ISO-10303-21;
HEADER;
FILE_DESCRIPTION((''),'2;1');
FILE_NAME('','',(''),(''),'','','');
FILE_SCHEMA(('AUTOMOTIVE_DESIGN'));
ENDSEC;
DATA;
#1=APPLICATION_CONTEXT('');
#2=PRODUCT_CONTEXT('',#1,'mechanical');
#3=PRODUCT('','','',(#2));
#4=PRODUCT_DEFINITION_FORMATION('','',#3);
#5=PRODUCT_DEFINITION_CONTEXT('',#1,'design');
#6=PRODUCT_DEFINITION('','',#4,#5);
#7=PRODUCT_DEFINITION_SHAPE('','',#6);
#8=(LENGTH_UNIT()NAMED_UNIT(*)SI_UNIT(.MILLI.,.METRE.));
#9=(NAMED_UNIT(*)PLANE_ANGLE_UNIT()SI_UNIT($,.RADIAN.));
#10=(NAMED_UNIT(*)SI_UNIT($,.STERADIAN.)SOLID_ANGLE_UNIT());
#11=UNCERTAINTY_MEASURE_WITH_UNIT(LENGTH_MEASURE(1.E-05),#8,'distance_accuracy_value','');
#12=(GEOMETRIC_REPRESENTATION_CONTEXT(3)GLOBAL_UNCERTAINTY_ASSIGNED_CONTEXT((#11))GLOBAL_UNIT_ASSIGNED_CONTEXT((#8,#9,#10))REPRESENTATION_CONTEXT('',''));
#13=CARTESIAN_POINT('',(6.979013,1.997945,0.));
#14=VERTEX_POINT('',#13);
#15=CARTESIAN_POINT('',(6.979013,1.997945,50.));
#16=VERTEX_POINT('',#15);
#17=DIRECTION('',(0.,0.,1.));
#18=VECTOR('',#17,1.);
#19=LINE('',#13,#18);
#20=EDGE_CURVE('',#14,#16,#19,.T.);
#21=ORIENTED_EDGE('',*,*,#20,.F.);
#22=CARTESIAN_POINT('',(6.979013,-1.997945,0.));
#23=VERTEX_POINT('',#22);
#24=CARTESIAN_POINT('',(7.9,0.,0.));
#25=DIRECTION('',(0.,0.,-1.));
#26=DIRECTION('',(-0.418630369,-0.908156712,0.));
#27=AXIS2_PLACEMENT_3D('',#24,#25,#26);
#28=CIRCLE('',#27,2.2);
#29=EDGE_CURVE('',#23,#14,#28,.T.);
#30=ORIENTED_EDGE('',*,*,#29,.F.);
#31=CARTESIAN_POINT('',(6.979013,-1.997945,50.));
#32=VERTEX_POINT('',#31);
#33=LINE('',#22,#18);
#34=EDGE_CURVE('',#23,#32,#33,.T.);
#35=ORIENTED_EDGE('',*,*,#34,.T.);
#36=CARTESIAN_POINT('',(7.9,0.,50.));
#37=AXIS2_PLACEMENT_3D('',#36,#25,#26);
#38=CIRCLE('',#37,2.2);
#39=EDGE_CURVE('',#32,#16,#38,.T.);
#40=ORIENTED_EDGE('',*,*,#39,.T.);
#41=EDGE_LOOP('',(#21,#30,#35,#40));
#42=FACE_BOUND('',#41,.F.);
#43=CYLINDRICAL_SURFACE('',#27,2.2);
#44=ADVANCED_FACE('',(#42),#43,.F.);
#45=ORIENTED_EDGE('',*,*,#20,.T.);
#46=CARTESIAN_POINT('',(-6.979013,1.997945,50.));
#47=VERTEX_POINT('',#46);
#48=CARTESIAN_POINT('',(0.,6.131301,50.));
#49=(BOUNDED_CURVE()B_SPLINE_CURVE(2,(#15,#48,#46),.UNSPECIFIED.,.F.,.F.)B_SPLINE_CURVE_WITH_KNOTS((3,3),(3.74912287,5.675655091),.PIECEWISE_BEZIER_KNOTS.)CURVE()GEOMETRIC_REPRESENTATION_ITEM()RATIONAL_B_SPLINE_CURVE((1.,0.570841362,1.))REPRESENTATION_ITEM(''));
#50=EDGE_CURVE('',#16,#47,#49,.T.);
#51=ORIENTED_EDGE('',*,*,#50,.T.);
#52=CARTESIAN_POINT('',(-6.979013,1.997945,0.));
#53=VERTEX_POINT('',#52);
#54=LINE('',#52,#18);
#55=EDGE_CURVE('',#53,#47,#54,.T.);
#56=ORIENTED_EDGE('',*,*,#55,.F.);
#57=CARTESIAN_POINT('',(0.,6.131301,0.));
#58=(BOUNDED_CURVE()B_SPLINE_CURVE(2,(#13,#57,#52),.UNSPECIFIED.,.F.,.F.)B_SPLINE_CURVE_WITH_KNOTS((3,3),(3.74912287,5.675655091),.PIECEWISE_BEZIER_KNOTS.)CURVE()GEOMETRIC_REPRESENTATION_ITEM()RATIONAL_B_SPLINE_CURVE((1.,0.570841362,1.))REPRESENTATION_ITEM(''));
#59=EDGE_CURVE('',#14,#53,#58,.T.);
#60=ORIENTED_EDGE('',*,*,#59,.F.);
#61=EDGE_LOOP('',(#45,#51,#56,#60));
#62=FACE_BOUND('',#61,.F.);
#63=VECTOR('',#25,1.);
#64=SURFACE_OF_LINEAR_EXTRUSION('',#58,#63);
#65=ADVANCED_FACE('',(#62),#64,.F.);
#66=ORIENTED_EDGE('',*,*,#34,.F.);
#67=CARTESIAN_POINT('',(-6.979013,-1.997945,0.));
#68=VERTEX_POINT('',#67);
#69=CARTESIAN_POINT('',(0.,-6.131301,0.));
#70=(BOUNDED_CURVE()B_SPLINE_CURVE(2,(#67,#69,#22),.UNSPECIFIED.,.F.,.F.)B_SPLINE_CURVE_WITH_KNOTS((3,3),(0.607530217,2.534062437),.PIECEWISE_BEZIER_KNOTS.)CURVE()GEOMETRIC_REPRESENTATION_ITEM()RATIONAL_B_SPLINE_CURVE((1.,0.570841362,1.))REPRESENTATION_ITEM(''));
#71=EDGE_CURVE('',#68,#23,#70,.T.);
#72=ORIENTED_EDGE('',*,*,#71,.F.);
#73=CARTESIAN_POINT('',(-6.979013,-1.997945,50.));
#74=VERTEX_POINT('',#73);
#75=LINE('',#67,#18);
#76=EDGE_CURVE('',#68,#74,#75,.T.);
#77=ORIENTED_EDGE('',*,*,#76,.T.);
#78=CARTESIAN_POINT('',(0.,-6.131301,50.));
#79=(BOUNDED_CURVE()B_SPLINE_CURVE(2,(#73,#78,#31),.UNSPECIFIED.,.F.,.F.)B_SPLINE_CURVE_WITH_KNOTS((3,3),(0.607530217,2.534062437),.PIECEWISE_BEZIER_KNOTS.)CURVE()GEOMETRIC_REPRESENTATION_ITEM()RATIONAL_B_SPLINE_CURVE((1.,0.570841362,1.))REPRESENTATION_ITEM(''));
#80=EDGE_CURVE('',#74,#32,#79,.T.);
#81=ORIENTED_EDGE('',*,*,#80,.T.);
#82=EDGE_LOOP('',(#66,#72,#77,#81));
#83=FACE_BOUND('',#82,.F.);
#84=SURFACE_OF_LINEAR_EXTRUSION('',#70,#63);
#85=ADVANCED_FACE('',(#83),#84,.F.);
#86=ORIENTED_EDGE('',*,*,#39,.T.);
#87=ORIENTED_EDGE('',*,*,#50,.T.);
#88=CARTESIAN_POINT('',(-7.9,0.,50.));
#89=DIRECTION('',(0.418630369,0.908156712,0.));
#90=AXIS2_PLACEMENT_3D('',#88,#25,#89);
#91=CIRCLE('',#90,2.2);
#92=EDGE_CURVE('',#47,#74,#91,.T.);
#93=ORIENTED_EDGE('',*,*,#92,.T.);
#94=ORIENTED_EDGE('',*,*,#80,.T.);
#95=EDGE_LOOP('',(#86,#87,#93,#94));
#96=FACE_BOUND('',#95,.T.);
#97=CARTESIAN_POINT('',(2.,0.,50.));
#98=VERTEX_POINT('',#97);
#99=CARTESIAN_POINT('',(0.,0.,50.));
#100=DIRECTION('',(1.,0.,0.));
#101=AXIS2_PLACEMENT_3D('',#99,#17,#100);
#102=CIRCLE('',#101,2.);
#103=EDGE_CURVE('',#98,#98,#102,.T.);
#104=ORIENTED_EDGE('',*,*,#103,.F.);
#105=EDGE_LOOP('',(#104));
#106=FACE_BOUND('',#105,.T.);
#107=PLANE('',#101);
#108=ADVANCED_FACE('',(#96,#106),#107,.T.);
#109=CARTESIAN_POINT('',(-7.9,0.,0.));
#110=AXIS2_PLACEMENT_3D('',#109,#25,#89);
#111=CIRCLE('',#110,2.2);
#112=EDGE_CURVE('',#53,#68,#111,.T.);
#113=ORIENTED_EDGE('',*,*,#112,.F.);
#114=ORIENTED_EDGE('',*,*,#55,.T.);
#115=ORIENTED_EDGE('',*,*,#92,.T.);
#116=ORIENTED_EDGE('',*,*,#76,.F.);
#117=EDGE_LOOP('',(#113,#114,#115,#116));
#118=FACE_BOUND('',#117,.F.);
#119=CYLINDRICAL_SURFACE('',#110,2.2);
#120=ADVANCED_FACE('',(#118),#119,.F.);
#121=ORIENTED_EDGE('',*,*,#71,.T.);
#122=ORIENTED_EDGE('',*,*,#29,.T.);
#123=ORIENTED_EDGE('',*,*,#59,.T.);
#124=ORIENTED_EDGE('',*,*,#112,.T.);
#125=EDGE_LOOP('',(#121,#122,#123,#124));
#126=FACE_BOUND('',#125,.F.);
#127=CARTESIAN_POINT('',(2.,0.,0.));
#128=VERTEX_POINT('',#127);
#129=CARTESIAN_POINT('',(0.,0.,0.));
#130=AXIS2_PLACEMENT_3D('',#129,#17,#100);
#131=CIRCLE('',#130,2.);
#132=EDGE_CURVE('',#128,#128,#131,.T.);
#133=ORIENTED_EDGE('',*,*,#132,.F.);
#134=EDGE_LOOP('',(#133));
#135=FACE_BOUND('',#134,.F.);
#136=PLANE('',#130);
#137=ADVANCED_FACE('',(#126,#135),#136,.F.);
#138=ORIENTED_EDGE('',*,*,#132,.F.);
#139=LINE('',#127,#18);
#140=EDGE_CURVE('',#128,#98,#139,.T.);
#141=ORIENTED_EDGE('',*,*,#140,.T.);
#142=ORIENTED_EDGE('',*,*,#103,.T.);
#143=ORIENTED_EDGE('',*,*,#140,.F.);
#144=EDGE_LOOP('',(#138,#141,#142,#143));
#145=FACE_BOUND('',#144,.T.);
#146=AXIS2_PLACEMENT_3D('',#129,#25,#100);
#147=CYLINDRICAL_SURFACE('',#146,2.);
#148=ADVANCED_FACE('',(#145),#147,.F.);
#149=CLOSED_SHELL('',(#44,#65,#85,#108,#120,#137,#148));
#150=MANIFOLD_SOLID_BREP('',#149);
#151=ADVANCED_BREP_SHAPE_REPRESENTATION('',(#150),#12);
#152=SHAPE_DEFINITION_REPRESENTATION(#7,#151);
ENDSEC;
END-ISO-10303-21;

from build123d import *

# Parameters (mm, degrees)
F0_R     = 2
F1_DEPTH = 50


with BuildPart() as f1:
    # F0 (on Top) → F1 (new body)
    with BuildSketch(Plane.XY):
        with BuildLine():
            ThreePointArc((-6.9790131878, 1.9979447669), (-5.7, 0), (-6.9790131878, -1.9979447669))
            add(Edge.make_bspline(
                [(-6.9790131878, -1.9979447669), (0, -6.1313006259), (6.9790131878, -1.9979447669)],
                knots=[0.6075302167, 0.6075302167, 0.6075302167, 2.5340624369, 2.5340624369, 2.5340624369], degree=2, weights=[1, 0.570841362, 1]))
            ThreePointArc((6.9790131878, -1.9979447669), (5.7, 0), (6.9790131878, 1.9979447669))
            add(Edge.make_bspline(
                [(6.9790131878, 1.9979447669), (0, 6.1313006259), (-6.9790131878, 1.9979447669)],
                knots=[3.7491228703, 3.7491228703, 3.7491228703, 5.6756550905, 5.6756550905, 5.6756550905], degree=2, weights=[1, 0.570841362, 1]))
        make_face()
        Circle(F0_R, mode=Mode.SUBTRACT)
    extrude(amount=F1_DEPTH)


solid = f1.part
